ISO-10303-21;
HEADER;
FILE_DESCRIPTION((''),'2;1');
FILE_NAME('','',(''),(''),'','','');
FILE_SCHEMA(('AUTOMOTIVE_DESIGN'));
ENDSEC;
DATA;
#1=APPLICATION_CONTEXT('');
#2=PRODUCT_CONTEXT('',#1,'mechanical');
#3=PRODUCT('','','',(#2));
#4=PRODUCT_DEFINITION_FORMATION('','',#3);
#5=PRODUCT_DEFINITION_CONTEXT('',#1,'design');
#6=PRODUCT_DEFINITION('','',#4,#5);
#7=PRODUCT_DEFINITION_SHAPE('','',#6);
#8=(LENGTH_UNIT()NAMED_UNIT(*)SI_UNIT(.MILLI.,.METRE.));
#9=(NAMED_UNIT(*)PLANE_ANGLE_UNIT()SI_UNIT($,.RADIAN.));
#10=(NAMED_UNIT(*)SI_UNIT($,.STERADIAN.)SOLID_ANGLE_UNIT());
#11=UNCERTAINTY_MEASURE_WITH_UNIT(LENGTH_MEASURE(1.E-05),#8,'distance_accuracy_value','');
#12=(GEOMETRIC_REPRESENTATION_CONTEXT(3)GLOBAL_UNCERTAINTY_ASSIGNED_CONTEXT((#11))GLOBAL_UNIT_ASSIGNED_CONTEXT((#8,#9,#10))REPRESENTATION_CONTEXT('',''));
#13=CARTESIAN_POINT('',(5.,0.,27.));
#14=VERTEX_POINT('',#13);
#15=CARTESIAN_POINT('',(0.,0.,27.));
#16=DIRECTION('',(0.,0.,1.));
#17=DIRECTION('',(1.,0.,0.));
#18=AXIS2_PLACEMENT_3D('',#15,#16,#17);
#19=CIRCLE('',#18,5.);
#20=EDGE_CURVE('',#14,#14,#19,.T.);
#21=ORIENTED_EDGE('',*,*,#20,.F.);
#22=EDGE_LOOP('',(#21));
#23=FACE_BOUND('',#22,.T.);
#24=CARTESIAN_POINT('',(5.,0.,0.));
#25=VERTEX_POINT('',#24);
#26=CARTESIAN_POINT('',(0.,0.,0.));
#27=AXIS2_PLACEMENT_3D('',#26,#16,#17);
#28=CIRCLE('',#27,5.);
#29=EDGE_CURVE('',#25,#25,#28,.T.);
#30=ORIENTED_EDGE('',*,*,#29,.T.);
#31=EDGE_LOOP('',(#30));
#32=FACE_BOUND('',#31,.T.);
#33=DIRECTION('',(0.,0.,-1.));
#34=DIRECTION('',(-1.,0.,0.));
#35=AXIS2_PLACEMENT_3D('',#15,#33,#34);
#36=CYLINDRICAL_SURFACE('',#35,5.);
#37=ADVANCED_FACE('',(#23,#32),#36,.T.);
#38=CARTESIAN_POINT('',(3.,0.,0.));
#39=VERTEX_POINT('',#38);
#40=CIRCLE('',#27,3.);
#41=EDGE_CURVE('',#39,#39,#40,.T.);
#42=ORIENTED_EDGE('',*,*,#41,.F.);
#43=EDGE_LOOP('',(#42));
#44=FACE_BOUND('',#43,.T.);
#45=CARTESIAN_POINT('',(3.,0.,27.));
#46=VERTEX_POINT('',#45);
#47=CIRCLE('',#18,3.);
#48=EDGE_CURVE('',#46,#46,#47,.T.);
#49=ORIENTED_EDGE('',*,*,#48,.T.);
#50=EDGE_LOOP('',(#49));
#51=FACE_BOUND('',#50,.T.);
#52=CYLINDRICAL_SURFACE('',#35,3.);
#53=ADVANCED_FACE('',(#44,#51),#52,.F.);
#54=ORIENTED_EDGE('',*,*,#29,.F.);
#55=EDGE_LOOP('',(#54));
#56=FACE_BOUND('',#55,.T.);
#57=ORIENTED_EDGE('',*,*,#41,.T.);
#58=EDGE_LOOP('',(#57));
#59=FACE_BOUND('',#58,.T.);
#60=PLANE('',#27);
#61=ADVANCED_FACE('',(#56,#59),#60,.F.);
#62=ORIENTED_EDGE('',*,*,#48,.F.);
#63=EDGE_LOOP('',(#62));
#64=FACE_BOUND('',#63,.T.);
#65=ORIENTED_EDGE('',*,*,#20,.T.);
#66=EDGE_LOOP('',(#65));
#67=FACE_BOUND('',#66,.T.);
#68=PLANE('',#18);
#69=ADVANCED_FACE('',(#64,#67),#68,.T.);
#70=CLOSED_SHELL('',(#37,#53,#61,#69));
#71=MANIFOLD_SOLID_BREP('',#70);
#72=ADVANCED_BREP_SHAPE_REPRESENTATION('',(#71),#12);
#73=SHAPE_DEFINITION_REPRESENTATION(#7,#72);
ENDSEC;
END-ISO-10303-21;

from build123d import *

# Parameters (mm, degrees)
ESBO_O1_R                = 5
ESBO_O1_R_2              = 3
RESSALTO_EXTRUS_O1_DEPTH = 27


with BuildPart() as part:
    # Esboço1 → Ressalto-extrusão1 (new body)
    with BuildSketch(Plane.XY):
        Circle(ESBO_O1_R)
        Circle(ESBO_O1_R_2, mode=Mode.SUBTRACT)
    extrude(amount=RESSALTO_EXTRUS_O1_DEPTH)


solid = part.part
